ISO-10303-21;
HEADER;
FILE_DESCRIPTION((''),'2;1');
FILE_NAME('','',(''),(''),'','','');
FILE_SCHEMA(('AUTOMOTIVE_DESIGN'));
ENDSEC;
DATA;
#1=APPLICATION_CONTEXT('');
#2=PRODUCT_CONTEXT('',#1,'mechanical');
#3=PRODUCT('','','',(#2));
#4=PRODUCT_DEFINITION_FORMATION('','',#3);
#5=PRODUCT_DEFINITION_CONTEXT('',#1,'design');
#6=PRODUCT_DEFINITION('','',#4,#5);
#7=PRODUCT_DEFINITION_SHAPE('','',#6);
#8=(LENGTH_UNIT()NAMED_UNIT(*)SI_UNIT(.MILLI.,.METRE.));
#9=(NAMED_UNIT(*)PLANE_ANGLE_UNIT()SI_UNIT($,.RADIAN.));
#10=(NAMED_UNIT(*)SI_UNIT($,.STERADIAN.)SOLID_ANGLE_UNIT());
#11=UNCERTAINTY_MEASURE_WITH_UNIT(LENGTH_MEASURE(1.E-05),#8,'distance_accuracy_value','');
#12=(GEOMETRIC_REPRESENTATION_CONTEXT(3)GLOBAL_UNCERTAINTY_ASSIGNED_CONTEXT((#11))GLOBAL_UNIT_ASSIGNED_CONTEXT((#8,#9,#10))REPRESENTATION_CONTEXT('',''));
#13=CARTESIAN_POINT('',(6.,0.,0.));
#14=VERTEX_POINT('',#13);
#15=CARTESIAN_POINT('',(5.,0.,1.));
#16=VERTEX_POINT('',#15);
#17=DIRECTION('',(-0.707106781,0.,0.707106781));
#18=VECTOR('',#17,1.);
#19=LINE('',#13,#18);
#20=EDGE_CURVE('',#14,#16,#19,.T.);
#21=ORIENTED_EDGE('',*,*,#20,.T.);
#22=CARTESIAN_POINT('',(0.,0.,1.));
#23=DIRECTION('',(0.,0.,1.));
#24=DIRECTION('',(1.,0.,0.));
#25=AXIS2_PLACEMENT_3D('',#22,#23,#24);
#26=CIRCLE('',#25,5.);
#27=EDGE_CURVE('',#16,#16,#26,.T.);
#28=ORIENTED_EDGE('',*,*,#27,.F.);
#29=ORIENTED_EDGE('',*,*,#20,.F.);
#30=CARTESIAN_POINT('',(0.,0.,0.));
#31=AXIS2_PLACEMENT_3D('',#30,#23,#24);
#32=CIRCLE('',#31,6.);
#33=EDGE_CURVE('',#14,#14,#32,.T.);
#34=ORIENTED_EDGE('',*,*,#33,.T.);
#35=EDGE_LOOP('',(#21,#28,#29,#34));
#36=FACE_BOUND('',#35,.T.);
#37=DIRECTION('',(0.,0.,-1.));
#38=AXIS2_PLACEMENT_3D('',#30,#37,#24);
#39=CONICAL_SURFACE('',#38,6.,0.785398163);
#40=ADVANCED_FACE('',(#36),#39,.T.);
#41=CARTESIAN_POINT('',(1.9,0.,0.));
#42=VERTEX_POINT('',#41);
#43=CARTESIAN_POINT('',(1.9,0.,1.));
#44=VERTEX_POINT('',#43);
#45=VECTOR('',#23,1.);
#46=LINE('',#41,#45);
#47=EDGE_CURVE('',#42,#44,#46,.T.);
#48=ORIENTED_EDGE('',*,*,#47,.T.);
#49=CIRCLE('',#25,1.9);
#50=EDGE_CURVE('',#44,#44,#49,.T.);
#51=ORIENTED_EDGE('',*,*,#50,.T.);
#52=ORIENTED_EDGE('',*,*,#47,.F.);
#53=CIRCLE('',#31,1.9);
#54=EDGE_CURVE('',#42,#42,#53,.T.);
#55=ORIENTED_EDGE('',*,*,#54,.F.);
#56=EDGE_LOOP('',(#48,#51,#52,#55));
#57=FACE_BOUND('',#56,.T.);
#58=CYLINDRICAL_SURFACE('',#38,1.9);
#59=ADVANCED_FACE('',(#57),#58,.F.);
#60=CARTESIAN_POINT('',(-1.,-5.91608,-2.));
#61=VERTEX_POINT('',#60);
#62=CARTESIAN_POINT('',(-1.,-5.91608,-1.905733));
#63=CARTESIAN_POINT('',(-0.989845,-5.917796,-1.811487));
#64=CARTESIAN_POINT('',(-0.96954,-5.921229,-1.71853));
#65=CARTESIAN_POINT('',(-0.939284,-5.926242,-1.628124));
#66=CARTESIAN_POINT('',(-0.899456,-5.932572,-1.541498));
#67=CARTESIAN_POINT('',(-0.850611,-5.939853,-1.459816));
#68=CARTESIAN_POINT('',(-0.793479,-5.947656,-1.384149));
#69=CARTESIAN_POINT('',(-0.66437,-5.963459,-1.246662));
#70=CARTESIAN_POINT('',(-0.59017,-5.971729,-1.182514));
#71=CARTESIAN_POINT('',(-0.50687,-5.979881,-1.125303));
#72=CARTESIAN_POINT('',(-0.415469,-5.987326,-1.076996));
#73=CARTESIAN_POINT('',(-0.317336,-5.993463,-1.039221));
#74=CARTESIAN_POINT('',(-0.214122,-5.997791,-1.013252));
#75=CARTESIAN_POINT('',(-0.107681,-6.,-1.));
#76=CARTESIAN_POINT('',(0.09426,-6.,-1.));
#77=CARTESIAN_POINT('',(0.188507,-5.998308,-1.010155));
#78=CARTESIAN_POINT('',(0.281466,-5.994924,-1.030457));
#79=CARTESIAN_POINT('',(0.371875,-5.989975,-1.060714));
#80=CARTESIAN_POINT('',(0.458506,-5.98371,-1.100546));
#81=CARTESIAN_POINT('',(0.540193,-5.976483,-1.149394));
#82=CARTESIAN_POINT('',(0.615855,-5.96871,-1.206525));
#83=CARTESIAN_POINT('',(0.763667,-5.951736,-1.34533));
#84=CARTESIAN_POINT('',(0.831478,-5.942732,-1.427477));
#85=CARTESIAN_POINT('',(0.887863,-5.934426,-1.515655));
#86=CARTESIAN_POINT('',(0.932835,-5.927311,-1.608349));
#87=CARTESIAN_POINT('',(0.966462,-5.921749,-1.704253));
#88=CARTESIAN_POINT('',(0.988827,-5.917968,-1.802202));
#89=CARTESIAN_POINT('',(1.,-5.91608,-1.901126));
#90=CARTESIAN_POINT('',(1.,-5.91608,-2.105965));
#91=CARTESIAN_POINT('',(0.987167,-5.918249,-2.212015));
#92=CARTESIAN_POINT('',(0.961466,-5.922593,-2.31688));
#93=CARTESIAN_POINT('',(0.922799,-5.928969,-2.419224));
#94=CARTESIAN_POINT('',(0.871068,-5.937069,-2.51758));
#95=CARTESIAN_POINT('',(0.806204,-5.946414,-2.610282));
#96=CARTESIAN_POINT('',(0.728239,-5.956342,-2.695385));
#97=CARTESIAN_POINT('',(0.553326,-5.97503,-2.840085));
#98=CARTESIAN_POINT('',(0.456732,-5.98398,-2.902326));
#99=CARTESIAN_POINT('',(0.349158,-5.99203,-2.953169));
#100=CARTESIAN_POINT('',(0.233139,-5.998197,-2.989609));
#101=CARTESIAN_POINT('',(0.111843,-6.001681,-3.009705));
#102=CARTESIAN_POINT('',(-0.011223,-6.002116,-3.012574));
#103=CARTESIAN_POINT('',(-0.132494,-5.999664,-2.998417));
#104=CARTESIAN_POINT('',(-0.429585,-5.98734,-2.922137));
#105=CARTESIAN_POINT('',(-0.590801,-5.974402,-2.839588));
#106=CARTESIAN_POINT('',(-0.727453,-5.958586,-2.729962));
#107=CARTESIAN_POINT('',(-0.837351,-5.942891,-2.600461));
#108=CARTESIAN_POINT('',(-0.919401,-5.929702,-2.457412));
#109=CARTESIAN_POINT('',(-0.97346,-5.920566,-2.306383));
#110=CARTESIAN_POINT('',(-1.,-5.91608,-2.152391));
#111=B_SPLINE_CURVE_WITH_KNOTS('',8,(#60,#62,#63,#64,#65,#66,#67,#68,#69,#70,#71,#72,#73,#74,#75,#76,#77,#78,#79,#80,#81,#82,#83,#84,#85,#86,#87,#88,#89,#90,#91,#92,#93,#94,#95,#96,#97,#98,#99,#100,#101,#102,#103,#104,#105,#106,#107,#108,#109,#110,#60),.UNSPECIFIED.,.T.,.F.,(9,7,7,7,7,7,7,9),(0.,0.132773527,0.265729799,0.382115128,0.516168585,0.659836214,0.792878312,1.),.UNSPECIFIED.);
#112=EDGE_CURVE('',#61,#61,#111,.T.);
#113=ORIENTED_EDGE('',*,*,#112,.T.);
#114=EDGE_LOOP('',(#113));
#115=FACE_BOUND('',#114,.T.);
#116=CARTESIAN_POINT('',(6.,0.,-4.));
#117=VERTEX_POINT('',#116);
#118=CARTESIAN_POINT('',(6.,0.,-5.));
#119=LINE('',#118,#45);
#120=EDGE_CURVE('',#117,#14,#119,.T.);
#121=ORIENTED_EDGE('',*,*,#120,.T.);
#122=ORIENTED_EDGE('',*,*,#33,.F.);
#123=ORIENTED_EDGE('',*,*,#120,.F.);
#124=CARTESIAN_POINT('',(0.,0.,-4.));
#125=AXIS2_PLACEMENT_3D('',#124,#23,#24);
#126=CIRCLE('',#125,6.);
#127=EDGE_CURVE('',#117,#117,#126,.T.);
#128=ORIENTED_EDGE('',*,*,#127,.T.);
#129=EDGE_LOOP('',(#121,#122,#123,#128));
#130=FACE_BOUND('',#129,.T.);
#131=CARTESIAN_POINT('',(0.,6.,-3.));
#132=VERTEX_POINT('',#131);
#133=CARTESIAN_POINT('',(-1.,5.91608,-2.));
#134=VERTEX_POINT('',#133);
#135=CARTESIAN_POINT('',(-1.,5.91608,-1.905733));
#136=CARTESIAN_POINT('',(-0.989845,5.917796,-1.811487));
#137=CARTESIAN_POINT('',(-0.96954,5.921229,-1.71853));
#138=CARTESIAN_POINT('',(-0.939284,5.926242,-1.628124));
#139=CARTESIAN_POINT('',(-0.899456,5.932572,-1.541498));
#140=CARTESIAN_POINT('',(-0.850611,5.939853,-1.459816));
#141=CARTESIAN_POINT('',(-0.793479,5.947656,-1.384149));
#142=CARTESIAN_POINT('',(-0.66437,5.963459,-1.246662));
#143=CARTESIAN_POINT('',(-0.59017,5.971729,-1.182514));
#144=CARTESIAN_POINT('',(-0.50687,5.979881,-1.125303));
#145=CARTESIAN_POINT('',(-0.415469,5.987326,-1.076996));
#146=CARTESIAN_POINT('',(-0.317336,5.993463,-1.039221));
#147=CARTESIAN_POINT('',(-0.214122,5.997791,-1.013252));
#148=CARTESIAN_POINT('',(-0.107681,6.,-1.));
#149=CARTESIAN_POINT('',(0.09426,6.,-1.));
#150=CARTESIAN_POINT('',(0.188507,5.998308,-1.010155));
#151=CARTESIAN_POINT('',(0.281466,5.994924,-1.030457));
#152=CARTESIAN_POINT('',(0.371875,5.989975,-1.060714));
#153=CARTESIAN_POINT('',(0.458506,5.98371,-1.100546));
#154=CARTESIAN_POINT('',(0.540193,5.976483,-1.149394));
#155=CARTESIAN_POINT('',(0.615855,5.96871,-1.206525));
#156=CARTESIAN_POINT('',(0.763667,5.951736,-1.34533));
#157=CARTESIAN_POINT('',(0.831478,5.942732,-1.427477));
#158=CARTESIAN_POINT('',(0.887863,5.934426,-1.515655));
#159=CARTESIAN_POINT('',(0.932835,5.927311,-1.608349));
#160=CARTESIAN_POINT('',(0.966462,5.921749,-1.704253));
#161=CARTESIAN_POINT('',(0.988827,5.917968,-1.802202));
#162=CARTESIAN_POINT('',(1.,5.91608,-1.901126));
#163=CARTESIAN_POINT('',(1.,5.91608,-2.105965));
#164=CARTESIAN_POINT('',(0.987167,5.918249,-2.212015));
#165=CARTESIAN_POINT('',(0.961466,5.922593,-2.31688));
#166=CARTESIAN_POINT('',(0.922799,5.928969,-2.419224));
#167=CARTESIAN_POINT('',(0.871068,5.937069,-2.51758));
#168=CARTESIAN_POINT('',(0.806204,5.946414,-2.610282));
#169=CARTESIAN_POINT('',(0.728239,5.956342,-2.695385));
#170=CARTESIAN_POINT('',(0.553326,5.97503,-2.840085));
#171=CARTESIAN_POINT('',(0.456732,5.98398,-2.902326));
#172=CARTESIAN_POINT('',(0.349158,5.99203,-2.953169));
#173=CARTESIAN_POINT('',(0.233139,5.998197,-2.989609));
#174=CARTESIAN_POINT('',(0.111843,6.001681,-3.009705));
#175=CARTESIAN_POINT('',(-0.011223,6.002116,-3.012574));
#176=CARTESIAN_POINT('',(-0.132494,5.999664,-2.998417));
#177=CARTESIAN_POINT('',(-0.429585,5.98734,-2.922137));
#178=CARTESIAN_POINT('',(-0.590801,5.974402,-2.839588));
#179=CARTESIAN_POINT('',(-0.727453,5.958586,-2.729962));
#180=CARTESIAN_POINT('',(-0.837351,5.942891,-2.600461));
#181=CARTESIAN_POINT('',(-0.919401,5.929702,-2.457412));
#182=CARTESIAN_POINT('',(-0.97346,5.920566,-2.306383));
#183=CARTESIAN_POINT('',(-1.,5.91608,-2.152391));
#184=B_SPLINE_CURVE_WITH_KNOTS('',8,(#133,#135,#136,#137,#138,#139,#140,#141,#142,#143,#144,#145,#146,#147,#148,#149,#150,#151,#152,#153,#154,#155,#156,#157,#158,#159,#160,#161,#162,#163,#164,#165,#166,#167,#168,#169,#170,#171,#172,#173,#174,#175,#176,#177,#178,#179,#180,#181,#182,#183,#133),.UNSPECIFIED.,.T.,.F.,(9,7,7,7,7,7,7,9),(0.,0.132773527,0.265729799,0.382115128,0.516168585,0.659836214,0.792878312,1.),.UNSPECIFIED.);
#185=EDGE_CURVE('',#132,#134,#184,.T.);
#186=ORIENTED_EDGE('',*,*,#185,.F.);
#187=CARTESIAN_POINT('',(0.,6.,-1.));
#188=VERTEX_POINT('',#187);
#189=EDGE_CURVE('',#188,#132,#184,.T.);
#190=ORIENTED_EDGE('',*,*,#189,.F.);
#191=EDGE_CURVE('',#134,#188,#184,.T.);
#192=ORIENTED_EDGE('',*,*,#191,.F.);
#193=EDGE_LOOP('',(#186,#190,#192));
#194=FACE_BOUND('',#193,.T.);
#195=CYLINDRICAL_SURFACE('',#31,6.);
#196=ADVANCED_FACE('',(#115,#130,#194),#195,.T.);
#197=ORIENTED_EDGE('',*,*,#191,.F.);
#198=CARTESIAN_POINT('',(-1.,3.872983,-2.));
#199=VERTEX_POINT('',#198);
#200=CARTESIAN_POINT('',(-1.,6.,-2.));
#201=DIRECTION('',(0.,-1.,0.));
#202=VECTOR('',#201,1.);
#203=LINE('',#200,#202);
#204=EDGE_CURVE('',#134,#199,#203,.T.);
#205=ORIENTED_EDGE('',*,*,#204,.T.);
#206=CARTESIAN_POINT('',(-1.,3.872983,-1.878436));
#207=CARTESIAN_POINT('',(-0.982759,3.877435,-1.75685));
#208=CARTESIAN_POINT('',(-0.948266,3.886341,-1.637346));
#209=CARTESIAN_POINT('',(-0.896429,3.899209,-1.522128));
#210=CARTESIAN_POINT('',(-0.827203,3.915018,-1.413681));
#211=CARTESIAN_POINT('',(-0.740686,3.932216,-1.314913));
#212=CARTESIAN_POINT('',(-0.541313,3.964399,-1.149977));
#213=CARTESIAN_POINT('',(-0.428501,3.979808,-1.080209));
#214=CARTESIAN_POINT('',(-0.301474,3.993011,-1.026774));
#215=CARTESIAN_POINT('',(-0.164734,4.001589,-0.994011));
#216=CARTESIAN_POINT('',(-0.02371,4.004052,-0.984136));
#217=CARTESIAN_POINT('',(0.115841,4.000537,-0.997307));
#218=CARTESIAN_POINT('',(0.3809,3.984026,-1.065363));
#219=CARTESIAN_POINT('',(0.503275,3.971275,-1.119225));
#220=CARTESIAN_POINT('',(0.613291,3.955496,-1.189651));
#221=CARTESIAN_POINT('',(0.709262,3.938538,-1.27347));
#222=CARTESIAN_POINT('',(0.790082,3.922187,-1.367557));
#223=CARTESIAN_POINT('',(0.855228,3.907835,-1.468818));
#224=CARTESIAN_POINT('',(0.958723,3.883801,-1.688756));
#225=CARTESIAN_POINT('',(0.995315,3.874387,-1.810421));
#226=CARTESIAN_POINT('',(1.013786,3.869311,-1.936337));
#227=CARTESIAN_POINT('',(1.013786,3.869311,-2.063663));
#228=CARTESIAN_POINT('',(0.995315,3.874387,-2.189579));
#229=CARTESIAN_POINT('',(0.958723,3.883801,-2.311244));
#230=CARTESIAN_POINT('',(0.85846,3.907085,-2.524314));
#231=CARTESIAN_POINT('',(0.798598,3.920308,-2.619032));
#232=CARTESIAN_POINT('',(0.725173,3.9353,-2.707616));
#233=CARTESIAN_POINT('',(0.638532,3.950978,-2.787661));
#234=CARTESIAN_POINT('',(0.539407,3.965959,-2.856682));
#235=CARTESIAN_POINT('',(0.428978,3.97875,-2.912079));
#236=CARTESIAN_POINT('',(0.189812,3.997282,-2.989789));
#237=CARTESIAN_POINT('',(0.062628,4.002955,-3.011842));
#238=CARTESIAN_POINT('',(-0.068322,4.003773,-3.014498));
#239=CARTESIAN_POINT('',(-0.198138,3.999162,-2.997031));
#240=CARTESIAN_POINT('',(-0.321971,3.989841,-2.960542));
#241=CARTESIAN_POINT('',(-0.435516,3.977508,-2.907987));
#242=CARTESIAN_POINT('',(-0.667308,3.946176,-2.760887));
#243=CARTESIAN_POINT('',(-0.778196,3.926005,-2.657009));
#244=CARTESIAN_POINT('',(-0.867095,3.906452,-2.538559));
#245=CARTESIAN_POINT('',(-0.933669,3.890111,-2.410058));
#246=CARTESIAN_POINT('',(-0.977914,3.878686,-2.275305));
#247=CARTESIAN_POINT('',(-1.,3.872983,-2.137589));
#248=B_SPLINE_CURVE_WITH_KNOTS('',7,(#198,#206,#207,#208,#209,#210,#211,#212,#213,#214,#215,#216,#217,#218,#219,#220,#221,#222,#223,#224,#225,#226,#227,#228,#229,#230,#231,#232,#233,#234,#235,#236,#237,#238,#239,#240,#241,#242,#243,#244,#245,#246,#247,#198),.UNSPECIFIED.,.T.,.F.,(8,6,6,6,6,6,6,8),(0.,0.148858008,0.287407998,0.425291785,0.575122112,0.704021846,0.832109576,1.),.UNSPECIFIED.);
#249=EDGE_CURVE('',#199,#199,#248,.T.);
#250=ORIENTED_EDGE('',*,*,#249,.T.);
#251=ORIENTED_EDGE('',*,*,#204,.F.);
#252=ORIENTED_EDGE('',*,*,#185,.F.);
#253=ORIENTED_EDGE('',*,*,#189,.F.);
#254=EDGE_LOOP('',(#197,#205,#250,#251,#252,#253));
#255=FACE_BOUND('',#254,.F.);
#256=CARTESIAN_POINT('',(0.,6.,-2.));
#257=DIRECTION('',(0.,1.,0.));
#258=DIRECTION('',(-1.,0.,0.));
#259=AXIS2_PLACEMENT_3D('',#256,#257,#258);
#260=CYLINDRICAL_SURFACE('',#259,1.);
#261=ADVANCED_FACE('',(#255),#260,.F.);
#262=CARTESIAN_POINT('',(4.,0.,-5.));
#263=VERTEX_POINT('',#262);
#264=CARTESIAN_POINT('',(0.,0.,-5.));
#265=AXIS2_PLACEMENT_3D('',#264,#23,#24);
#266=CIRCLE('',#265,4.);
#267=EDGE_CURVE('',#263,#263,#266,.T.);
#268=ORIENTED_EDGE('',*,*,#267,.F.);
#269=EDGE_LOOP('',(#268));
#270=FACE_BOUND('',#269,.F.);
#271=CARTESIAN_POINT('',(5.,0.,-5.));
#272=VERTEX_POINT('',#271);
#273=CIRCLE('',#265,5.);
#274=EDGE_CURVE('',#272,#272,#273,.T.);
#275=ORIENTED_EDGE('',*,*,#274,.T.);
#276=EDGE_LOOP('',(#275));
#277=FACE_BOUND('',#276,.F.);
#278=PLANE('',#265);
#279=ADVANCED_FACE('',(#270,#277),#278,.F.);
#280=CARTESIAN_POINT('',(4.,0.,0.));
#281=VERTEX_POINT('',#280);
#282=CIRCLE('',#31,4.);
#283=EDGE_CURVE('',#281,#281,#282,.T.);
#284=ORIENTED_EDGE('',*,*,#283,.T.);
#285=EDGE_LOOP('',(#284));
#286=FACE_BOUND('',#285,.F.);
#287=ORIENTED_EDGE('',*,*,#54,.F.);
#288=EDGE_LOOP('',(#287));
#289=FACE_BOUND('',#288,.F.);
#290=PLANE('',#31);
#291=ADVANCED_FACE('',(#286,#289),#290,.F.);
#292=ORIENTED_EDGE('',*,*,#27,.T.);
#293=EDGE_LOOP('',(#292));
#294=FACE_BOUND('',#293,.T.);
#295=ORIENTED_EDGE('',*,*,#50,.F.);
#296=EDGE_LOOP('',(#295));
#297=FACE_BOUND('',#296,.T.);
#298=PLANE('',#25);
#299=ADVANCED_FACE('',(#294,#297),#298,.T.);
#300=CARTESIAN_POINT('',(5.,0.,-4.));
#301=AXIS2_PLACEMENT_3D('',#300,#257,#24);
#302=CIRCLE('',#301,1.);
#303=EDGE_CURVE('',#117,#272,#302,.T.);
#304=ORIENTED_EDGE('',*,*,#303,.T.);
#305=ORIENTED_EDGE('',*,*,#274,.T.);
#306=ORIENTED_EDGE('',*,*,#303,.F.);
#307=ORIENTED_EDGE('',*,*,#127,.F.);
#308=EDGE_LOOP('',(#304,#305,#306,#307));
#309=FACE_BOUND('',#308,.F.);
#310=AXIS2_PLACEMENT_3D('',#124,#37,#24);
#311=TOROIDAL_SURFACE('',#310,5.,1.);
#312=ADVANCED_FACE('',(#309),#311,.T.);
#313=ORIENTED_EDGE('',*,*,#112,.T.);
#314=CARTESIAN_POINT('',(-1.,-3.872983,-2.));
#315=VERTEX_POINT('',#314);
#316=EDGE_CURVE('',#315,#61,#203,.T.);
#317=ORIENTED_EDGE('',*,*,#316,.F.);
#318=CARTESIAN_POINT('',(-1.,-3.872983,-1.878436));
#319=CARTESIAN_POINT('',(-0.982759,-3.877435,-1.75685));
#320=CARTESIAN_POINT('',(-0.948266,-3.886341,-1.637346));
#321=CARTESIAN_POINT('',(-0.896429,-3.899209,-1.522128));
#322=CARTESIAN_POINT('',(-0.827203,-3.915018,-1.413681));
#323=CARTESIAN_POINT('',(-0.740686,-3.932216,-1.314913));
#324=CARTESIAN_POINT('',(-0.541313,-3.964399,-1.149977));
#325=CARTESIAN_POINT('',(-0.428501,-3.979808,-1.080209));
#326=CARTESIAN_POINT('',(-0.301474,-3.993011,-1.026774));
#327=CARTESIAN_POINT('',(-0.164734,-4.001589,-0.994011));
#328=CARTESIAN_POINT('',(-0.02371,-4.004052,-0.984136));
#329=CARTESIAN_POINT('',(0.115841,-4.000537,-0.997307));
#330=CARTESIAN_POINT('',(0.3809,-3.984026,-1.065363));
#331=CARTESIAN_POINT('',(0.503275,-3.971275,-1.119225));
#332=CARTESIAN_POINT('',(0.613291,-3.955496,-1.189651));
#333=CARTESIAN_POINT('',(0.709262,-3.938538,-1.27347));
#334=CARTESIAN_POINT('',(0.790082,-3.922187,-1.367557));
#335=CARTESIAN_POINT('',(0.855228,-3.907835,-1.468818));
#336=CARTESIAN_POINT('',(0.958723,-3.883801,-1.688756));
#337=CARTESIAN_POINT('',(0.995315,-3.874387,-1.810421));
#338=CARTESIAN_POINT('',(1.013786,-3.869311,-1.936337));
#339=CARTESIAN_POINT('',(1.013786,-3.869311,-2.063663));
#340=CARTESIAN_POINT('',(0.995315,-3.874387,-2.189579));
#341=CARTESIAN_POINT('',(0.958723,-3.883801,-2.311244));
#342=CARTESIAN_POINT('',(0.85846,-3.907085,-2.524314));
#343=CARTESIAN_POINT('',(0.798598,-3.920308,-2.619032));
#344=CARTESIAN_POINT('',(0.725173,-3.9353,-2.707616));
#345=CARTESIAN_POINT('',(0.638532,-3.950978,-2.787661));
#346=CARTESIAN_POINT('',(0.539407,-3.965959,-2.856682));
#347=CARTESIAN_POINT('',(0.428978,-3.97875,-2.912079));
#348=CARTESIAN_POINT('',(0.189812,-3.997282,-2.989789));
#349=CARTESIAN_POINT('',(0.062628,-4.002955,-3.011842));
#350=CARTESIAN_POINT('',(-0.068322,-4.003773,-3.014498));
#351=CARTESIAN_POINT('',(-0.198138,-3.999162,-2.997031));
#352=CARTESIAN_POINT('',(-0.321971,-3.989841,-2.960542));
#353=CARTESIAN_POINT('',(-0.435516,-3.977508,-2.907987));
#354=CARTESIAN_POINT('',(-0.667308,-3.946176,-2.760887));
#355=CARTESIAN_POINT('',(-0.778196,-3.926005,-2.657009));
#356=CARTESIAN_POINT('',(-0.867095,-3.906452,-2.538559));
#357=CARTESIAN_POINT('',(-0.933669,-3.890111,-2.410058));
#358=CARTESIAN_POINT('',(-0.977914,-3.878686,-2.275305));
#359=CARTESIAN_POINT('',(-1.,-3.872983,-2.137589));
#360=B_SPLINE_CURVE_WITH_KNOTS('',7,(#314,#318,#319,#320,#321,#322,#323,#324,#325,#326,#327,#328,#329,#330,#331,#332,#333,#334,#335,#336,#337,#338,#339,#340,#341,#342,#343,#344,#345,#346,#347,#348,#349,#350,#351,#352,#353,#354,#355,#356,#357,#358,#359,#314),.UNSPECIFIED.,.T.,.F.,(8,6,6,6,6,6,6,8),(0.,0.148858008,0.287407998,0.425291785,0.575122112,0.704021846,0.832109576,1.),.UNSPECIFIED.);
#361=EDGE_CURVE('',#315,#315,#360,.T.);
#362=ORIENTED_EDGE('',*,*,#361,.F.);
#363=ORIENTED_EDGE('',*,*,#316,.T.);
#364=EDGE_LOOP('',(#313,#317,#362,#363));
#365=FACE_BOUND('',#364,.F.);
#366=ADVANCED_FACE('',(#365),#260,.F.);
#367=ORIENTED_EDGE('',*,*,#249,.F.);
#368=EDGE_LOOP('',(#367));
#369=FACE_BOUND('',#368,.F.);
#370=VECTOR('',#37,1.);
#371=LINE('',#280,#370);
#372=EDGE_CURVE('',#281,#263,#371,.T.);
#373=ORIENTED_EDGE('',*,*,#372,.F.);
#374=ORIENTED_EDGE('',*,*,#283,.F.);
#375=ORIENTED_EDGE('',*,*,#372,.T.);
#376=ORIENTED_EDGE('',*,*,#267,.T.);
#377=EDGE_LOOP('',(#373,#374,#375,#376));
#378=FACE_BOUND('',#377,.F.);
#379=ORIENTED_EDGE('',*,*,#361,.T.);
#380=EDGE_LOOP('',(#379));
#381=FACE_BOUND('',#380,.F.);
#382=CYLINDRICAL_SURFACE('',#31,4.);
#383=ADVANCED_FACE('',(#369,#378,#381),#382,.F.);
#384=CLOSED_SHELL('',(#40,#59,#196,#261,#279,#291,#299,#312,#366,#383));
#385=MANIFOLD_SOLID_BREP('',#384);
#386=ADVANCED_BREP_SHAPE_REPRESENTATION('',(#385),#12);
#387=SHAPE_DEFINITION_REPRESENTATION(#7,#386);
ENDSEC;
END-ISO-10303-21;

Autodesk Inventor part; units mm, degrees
ref_plane "YZ Plane" through (0, 0, 0) normal (1, 0, 0) x (0, 1, 0)
ref_plane "XY Plane" through (0, 0, 0) normal (0, 0, 1) x (1, 0, 0)
sketch "스케치1" plane through (0, 0, 0) normal (0, 0, 1) x (1, 0, 0)
  circle A0 centre (0, 0) radius 4
  circle A1 centre (0, 0) radius 6
  circle A2 centre (0, 0) radius 1.9
  dimension "d0" = 8
  dimension "d1" = 2
  dimension "d11" = 3.8
extrude "돌출1" add sketch "스케치1" along normal blind 1 contours A0 | A1
extrude "돌출2" add sketch "스케치1" against normal blind 5 contours A1
ref_plane "작업 평면1" through (0, 6, 0) normal (0, 1, 0) x (-1, 0, 0)
sketch "스케치2" plane through (0, 6, 0) normal (0, 1, 0) x (-1, 0, 0)
  circle A0 centre (0, -2) radius 1
  line L0 (-6, -5) -> (6, -5) projected
  line L1 (-4, 0) -> (4, 0) projected
  point P0 (0, 0)
  dimension "d6" = 2
  dimension "d10" = 2
extrude "돌출3" cut sketch "스케치2" against normal through all
chamfer "모따기1" distance 1 angle 45 1 edges at (-6, 0, 1)
fillet "모깎기1" radius 1 1 edges at (-6, 0, -5)
properties part number "SuspensionLock"
